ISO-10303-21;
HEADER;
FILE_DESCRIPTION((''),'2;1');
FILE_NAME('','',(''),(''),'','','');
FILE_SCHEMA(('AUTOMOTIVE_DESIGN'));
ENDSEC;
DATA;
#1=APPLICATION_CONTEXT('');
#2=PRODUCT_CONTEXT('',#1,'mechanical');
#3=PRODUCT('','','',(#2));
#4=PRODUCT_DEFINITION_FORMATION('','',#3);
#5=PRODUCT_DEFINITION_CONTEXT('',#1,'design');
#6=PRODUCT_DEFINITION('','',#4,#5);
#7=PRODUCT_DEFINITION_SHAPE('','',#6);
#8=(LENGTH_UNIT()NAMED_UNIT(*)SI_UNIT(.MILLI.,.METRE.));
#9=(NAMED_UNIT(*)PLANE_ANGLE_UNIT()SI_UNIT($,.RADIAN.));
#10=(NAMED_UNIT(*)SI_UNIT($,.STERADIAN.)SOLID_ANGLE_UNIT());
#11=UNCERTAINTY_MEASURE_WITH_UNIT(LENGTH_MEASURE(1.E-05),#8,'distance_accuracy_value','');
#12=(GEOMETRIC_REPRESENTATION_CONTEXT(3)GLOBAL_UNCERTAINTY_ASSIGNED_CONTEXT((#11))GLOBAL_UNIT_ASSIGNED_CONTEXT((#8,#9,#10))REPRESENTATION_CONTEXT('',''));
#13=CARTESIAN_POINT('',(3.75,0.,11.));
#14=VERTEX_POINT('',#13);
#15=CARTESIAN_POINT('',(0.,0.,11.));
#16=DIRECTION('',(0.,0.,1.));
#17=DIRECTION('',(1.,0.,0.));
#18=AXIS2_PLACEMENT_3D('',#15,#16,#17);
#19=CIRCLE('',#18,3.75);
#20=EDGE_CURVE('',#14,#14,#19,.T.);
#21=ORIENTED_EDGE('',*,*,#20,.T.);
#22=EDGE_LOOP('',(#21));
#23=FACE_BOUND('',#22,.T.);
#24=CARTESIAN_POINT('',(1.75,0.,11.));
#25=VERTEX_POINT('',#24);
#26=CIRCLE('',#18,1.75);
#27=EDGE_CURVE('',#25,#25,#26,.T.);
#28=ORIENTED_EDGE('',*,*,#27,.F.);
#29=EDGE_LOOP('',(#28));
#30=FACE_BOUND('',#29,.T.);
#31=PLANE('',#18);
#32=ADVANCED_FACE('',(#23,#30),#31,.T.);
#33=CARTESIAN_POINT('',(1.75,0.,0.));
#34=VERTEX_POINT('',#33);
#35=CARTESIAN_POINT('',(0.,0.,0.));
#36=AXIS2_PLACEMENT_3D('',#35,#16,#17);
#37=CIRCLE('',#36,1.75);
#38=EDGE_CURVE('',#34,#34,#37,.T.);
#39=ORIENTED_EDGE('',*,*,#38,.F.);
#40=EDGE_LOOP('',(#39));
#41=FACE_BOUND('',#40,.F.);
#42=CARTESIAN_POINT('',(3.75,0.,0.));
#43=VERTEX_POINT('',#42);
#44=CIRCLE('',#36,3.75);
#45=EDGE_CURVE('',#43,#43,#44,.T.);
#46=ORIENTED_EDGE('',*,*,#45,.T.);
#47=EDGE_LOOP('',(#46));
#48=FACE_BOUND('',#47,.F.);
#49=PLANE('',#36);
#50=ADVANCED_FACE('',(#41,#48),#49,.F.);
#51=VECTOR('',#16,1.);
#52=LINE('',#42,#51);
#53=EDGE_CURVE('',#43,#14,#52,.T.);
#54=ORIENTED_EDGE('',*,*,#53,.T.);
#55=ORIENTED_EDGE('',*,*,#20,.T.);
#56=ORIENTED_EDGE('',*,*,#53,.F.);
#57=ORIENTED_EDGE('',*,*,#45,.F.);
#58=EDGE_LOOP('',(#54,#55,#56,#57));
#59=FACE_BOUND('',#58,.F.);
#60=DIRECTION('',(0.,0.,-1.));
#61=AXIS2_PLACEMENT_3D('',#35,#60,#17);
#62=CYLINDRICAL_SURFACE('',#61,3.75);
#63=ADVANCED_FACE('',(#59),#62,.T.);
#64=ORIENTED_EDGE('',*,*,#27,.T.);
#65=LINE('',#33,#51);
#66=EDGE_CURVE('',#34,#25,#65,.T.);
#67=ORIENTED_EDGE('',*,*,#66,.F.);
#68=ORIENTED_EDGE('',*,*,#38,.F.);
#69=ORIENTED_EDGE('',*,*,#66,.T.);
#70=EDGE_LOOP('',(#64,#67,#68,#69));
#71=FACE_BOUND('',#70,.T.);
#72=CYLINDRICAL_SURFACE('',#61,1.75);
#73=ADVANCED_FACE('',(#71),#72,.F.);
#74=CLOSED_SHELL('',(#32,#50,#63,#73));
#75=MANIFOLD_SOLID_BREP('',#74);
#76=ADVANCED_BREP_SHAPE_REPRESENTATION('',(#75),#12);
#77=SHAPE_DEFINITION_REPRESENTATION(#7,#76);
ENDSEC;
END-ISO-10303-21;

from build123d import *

# Parameters (mm, degrees)
SKETCH_R   = 3.75
SKETCH_R_2 = 1.75
PAD_DEPTH  = 11


with BuildPart() as part:
    # Sketch → Pad (new body)
    with BuildSketch(Plane.XY):
        Circle(SKETCH_R)
        Circle(SKETCH_R_2, mode=Mode.SUBTRACT)
    extrude(amount=PAD_DEPTH)


solid = part.part
